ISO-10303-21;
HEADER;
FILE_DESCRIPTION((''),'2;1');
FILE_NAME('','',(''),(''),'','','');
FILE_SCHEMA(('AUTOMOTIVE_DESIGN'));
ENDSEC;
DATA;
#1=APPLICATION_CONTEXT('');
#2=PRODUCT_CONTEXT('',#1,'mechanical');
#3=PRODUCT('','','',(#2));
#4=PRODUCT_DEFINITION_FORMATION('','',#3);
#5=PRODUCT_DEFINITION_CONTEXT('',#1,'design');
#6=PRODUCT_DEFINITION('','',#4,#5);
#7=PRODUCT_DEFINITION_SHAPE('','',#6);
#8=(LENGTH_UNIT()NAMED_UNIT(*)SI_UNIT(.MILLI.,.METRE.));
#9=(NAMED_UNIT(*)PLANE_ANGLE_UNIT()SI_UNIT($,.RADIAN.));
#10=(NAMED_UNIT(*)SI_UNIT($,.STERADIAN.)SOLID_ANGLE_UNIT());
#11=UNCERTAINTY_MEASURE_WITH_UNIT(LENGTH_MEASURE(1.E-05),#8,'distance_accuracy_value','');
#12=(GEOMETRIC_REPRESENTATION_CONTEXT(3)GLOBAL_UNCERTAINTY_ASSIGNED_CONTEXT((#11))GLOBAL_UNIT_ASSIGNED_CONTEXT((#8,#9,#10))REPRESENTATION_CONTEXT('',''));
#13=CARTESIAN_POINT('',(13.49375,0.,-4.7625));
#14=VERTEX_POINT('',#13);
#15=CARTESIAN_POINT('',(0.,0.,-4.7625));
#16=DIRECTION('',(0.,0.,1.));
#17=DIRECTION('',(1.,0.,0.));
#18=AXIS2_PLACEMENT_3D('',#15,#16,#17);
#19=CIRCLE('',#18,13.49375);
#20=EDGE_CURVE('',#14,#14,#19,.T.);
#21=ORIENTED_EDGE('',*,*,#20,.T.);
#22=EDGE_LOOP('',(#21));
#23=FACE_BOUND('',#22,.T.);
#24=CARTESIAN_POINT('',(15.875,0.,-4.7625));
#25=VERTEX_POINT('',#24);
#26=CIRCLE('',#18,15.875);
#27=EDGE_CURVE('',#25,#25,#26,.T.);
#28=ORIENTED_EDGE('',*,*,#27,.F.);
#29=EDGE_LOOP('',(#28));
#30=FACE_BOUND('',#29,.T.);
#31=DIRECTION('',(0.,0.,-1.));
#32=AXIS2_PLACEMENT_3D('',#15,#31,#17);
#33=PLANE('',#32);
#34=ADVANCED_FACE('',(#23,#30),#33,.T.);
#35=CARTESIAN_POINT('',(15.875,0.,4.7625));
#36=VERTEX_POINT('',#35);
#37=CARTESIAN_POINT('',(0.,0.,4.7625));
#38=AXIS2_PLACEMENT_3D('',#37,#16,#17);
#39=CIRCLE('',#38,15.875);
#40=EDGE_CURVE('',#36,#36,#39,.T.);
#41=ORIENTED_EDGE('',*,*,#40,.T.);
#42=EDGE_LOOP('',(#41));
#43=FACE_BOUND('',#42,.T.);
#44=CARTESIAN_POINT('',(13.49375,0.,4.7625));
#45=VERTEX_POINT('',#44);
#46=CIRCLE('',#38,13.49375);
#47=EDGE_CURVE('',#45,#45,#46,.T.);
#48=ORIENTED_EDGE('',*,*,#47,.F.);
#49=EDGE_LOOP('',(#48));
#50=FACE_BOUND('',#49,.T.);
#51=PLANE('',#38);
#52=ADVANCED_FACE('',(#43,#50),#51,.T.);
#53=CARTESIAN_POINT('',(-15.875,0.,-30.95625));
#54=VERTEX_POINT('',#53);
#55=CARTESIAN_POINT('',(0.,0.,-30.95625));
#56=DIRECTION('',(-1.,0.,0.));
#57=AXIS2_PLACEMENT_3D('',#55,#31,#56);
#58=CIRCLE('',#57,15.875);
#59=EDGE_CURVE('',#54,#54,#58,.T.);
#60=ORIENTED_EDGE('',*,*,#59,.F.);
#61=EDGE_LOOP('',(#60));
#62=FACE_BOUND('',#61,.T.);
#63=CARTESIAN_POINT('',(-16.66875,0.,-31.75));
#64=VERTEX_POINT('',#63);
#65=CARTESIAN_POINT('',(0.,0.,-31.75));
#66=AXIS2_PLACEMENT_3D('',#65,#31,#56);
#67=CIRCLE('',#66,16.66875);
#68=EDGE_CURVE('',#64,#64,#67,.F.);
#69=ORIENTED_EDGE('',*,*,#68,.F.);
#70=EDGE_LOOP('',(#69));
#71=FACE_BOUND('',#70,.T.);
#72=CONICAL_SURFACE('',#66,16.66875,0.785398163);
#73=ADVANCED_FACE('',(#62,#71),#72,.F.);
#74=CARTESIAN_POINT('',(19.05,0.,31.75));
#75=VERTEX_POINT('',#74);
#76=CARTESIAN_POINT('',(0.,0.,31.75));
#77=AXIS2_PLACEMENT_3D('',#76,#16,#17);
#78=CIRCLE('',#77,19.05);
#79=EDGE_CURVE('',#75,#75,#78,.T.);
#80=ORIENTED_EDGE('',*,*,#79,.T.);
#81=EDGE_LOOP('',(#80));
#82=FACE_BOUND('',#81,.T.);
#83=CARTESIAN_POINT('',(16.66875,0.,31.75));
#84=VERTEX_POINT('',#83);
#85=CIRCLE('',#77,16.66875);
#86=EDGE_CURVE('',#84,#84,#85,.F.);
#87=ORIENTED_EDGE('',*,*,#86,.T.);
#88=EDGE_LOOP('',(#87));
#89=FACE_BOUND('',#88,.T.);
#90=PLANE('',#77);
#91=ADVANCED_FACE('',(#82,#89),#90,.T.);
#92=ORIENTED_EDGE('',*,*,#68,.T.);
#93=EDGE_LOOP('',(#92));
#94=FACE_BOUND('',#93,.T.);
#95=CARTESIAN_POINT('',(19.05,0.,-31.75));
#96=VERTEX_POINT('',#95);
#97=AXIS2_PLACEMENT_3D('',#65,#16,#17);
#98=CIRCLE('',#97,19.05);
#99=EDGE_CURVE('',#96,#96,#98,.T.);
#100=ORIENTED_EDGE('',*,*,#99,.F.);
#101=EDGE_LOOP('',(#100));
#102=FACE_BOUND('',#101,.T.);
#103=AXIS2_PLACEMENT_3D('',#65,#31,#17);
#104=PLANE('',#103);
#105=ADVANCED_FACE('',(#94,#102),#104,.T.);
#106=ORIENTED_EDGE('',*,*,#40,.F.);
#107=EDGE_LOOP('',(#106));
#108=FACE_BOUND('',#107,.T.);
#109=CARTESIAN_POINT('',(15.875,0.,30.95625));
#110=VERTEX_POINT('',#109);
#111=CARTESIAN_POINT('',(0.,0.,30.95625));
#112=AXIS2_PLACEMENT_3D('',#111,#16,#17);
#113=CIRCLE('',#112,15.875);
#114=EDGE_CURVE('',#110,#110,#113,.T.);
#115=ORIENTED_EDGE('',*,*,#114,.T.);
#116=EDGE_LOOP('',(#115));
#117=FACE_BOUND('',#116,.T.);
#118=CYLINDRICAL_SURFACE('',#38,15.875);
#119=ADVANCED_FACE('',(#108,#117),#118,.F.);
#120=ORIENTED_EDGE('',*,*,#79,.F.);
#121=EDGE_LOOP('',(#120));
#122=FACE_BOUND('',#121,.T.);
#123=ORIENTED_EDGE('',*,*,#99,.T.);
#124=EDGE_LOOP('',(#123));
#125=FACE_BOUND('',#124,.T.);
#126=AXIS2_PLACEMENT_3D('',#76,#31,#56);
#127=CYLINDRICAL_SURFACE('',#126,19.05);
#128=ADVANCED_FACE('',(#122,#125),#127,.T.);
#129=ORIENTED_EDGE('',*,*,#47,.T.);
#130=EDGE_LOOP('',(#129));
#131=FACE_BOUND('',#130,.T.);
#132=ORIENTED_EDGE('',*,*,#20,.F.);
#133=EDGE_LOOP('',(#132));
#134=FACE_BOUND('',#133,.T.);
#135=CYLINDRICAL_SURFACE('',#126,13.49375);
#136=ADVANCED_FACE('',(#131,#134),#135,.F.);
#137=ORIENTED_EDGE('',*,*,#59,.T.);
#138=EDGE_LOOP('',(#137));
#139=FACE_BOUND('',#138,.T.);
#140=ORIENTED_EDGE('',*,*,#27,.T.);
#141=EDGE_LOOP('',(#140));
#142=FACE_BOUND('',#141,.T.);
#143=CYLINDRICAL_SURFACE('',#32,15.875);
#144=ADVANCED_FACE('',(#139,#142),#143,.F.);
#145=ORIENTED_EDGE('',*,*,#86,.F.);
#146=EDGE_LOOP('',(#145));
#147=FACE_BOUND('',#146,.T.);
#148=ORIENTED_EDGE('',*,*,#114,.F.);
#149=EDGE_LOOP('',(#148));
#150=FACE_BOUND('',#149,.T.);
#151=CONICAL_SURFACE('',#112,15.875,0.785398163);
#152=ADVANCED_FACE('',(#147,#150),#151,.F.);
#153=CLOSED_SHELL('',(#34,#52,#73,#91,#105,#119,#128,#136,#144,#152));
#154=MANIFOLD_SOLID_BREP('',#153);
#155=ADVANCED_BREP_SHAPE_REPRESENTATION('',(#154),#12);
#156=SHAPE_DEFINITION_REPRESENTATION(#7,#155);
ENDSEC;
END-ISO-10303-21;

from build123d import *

# Parameters (mm, degrees)
SKETCH1_R           = 19.05
SKETCH1_R_2         = 13.49375
BOSS_EXTRUDE1_DEPTH = 31.75
SKETCH2_R           = 15.875
CUT_EXTRUDE1_DEPTH  = 26.9875
CHAMFER1_SIZE       = 0.79375


with BuildPart() as part:
    # Sketch1 → Boss-Extrude1 (new body)
    with BuildSketch(Plane.XY):
        Circle(SKETCH1_R)
        Circle(SKETCH1_R_2, mode=Mode.SUBTRACT)
    extrude(amount=BOSS_EXTRUDE1_DEPTH)

    # Sketch2 → Cut-Extrude1 (cut)
    with BuildSketch(Plane.XY.offset(31.75)):
        Circle(SKETCH2_R)
    extrude(amount=-CUT_EXTRUDE1_DEPTH, mode=Mode.SUBTRACT)

    # Mirror1: part across plane


with BuildPart() as part_1:
    add(part.part)
    add(part.part.mirror(Plane.XY))

    # Chamfer1
    chamfer1_edges = [part_1.edges().sort_by_distance(p)[0] for p in [
        (-15.875, 0, 31.75),
        (-15.875, 0, -31.75),
    ]]
    chamfer(chamfer1_edges, length=CHAMFER1_SIZE)


solid = part_1.part
